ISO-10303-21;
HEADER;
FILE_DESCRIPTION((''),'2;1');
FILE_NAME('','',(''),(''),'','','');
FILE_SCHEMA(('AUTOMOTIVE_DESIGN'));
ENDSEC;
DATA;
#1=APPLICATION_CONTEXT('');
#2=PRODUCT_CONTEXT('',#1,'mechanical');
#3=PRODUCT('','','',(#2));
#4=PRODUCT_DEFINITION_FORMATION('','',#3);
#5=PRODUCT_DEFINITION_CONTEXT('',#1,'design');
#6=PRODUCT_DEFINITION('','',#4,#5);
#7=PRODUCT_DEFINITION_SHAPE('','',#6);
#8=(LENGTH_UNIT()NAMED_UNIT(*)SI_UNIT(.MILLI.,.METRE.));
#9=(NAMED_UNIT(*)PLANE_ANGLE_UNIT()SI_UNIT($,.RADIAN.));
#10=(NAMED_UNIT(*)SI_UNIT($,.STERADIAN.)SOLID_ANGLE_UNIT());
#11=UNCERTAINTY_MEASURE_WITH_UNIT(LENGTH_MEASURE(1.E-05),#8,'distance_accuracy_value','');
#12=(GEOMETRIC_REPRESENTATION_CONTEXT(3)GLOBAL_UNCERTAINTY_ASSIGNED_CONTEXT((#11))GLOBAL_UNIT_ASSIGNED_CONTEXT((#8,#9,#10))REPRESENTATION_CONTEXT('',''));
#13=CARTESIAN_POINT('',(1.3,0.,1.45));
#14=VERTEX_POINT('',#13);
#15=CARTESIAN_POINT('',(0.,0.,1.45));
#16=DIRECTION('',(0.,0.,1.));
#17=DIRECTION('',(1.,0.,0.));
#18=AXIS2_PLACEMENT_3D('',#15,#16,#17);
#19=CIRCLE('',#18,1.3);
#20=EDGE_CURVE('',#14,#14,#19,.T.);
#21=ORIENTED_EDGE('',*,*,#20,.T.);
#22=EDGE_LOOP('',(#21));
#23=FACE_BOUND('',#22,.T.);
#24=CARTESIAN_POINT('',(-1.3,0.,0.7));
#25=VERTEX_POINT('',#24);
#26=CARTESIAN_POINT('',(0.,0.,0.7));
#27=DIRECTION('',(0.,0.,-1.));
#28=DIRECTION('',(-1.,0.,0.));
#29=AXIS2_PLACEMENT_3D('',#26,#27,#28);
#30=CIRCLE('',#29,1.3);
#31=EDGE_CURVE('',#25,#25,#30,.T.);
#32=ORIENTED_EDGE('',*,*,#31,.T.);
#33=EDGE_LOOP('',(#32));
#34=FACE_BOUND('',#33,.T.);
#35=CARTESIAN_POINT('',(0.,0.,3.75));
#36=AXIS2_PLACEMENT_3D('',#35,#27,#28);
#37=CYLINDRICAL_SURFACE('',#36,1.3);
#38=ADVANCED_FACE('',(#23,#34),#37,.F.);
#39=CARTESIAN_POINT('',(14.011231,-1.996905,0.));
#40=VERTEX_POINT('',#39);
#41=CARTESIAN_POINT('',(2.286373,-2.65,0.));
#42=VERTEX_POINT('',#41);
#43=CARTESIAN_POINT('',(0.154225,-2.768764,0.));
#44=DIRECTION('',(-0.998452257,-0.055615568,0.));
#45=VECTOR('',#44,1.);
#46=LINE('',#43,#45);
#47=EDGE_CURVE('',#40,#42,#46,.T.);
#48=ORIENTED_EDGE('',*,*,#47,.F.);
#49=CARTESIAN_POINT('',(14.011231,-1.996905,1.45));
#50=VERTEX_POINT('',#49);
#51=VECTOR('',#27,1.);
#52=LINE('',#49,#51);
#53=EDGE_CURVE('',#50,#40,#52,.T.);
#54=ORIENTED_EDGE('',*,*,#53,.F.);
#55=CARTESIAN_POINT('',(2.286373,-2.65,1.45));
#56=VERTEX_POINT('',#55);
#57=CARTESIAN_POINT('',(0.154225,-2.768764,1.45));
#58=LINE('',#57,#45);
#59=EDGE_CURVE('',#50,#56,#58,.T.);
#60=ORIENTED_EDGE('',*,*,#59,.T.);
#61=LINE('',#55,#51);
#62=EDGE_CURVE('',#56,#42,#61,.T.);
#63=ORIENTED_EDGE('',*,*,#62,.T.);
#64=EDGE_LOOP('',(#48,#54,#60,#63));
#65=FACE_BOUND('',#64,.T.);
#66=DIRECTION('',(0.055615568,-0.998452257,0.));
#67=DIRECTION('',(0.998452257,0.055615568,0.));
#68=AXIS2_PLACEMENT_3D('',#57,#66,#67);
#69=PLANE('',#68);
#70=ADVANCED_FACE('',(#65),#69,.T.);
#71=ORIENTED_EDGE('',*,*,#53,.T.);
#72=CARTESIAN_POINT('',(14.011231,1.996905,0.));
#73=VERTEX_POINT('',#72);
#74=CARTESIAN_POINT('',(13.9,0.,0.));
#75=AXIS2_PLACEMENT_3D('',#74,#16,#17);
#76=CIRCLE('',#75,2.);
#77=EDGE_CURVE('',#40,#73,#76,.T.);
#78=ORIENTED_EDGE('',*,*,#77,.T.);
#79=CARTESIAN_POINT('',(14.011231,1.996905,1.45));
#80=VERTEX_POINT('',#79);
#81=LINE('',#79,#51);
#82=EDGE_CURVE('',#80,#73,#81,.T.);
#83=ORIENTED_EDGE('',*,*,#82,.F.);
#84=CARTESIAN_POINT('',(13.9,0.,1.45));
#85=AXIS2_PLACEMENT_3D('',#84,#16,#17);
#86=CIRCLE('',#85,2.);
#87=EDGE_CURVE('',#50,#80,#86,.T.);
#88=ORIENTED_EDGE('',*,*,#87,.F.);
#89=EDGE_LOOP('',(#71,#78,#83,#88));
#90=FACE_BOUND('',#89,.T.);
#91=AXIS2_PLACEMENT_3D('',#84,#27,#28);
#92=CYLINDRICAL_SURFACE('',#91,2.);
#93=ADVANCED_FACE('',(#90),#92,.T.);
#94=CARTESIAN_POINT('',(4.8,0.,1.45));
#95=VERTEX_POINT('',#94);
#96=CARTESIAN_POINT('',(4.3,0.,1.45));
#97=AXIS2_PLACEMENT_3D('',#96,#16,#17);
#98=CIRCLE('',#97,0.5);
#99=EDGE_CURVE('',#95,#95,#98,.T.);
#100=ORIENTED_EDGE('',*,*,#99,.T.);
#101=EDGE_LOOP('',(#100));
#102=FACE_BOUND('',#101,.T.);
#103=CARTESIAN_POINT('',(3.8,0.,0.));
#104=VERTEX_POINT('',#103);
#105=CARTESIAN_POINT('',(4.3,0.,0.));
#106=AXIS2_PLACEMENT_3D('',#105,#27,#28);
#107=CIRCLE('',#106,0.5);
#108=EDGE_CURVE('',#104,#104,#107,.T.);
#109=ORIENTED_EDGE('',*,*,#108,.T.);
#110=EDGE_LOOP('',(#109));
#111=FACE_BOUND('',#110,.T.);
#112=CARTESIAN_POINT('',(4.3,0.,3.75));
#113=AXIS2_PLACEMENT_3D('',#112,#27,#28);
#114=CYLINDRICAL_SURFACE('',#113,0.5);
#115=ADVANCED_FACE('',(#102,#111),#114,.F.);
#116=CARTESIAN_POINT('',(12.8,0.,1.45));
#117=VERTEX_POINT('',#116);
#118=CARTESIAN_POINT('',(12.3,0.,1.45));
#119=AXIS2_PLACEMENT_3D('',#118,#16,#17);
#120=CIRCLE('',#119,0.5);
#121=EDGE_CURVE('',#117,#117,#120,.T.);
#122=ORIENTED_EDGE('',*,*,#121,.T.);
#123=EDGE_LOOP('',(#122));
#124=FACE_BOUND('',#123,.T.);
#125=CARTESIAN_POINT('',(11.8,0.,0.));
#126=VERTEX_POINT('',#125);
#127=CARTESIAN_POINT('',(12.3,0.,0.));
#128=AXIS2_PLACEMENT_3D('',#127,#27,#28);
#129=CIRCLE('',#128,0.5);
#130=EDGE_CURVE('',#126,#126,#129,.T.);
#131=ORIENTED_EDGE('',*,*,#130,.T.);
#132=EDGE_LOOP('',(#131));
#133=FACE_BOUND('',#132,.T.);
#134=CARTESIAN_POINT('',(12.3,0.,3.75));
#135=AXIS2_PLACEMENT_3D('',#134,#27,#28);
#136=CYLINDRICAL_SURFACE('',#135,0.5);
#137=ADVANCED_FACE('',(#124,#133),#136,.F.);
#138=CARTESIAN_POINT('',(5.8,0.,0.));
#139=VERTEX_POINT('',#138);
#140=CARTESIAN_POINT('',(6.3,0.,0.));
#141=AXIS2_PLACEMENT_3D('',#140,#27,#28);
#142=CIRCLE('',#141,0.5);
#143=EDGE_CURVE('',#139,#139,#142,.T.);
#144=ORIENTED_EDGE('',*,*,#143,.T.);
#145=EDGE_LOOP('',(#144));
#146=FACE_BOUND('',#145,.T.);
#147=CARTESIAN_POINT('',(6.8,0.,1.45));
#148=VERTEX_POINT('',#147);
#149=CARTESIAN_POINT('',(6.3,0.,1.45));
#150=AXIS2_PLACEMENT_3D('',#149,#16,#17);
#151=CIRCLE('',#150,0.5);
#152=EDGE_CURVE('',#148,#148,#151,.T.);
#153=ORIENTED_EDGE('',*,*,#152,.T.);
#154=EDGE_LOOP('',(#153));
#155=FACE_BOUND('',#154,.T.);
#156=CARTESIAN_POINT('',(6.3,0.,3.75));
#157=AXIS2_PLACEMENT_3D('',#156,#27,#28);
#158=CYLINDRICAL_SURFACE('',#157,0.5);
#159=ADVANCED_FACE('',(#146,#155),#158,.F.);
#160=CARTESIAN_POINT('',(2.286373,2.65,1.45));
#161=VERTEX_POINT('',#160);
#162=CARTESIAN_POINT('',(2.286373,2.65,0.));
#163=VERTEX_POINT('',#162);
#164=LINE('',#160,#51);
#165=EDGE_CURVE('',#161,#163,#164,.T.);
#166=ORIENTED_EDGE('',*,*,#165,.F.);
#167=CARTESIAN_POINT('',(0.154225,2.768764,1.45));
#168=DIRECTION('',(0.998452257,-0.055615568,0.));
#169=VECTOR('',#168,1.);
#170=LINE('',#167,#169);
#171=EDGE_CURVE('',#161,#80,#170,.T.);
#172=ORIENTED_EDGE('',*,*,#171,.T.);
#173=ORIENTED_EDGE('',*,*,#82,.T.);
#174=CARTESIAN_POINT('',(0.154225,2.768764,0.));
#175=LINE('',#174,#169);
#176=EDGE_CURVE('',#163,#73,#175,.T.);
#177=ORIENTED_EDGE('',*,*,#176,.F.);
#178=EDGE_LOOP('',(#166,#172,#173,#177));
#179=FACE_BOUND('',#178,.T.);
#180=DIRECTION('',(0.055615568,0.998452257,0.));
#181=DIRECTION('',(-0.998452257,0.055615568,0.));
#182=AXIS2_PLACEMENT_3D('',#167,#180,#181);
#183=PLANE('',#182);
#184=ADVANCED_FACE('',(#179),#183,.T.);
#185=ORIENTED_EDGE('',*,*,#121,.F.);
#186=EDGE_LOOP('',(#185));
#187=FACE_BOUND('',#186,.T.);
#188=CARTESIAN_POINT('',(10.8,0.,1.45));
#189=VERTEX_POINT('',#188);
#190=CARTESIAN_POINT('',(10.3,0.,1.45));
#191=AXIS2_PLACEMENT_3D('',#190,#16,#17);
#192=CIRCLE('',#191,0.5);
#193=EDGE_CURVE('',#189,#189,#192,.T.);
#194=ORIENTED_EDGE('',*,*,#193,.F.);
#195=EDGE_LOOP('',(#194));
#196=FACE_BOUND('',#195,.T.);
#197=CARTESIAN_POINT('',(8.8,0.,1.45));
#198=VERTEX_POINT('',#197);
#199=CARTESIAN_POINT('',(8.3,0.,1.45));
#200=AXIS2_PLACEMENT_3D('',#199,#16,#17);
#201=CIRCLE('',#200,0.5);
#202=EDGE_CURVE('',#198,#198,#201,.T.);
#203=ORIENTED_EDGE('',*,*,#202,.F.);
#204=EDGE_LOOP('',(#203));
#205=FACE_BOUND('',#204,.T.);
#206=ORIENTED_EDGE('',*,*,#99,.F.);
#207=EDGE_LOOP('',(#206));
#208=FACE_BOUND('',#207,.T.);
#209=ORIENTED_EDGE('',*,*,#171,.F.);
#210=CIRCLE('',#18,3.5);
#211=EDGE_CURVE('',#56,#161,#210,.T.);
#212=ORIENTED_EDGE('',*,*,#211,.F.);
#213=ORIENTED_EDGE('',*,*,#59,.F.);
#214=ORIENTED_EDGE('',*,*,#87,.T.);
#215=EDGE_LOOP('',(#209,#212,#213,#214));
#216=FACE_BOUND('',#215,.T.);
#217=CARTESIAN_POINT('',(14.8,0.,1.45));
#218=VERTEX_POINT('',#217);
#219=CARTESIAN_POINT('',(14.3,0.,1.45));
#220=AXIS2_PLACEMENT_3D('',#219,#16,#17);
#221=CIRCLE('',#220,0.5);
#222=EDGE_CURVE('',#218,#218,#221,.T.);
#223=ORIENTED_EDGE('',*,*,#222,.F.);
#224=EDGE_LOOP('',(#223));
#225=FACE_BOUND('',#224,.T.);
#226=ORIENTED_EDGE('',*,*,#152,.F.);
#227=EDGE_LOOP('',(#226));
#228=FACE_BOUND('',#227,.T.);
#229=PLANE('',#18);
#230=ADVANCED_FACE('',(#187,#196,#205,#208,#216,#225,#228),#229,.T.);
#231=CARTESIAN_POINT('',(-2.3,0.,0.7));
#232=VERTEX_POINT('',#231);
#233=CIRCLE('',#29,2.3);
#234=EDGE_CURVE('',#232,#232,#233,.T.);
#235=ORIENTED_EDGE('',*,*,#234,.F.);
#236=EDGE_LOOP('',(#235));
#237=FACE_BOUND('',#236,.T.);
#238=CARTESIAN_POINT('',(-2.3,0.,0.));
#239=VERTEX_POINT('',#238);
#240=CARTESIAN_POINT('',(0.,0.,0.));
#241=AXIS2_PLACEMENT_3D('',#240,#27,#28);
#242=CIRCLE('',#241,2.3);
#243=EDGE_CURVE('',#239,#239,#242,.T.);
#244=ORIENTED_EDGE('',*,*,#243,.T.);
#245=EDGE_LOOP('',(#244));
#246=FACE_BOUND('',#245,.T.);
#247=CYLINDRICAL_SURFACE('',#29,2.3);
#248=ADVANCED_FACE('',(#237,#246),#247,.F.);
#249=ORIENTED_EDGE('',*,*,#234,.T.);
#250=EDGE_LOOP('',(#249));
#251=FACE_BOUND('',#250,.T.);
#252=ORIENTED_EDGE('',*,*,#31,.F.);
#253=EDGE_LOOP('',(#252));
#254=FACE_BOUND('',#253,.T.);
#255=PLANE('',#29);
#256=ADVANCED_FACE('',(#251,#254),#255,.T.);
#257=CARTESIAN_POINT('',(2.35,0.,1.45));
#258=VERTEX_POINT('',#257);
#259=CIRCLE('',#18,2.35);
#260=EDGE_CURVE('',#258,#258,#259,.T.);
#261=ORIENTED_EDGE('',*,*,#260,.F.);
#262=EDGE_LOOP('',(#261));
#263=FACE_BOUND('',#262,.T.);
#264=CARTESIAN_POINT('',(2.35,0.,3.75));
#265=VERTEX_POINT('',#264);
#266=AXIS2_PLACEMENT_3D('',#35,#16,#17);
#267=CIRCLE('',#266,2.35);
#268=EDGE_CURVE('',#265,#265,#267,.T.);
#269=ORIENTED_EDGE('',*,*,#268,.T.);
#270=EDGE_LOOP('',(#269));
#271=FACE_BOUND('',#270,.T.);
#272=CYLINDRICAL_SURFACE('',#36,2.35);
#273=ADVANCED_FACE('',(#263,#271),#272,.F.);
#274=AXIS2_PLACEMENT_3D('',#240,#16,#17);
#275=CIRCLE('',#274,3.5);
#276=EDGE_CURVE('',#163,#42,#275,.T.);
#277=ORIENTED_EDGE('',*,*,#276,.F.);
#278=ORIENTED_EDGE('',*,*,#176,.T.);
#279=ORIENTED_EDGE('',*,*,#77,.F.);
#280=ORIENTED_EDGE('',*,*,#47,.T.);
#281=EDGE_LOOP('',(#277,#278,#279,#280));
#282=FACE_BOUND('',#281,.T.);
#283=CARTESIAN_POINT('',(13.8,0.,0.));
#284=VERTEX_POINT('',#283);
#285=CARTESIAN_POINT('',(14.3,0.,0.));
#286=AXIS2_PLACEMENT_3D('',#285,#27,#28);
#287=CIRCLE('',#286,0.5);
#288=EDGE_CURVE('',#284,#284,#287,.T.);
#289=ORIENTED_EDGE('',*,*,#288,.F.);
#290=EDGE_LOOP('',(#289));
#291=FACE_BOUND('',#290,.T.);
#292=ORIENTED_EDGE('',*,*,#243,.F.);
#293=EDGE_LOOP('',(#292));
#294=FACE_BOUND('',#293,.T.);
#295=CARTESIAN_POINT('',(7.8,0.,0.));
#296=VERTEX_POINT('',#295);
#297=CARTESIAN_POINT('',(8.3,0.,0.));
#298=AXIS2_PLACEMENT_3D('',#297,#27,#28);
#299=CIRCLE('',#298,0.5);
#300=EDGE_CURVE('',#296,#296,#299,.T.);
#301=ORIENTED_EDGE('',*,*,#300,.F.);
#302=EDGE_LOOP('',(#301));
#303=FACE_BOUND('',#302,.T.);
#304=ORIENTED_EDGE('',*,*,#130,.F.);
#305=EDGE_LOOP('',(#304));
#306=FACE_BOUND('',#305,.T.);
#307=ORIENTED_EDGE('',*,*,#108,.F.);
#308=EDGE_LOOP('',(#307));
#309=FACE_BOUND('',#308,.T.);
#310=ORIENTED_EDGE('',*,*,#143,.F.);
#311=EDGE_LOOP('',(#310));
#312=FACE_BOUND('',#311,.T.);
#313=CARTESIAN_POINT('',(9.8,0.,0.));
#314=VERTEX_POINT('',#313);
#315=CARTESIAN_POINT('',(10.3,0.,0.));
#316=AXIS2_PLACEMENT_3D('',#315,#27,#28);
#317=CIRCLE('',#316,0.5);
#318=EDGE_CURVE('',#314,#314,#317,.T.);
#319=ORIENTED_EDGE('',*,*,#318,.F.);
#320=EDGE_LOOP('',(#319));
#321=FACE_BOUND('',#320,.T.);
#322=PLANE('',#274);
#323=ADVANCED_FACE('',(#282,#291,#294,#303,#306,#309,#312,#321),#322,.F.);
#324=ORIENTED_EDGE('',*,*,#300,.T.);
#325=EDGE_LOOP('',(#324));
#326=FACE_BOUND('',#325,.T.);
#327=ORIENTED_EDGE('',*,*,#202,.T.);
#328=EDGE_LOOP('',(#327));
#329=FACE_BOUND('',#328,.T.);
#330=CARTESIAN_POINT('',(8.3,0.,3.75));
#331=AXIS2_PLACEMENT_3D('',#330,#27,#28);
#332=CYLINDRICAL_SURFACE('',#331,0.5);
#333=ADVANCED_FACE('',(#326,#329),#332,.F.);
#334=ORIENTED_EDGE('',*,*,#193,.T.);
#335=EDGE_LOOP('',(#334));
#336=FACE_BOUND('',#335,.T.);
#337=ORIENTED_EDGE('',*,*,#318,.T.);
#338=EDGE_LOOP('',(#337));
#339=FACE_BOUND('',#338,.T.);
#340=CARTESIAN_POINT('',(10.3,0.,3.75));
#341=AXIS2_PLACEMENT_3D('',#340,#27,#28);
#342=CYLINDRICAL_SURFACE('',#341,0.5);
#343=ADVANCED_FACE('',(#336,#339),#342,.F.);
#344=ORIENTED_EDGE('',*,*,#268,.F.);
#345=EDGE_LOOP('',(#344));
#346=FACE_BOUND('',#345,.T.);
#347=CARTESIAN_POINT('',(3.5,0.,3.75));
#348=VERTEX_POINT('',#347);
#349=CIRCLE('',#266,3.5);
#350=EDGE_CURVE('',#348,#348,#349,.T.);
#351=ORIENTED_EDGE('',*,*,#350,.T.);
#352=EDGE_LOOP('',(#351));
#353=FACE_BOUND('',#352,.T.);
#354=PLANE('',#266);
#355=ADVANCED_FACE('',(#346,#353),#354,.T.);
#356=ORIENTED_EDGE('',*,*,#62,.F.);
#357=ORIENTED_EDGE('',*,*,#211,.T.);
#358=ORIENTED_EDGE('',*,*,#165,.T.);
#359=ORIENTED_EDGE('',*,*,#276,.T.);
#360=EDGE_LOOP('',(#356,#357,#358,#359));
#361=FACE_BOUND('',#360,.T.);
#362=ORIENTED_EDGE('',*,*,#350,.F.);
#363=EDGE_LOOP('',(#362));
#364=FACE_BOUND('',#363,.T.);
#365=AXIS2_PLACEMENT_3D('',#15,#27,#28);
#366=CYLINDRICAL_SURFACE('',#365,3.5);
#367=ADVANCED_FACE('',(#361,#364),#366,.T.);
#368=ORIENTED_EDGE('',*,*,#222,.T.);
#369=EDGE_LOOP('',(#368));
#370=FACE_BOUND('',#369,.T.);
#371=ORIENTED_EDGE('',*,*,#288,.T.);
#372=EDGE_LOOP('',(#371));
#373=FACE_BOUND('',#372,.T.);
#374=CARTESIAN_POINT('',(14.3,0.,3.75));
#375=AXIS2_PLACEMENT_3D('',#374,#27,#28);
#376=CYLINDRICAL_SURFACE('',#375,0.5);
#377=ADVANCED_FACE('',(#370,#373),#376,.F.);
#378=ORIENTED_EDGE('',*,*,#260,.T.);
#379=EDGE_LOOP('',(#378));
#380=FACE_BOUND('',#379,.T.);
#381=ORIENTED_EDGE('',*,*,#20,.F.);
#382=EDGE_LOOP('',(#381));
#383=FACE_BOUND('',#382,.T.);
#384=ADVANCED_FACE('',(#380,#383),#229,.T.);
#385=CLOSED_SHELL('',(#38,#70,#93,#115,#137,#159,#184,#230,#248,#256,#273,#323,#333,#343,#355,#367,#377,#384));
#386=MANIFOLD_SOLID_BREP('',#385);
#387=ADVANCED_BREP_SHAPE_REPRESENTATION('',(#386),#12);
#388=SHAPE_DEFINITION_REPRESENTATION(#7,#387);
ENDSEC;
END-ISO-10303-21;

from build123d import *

# Parameters (mm, degrees)
SKETCH_1_R             = 2.773056395
SKETCH_1_R_2           = 2
SKETCH_1_R_3           = 3.5
EXTRUDE_1_DEPTH        = 1.45
SKETCH_2_R             = 3.5
SKETCH_2_R_2           = 2.35
EXTRUDE_2_DEPTH        = 2.3
SKETCH_3_R             = 2.3
CUT_EXTRUDE_1_DEPTH    = 0.7
SKETCH_4_R             = 1.3
CUT_EXTRUDE_2_DEPTH    = 17.563891451
SKETCH_5_R             = 0.5
CUT_EXTRUDE_3_DEPTH    = 17.706959628
PATTERN_LINEAR_1_COUNT = 6
PATTERN_LINEAR_1_PITCH = 2


with BuildPart() as part:
    # 草图1 → 凸台-拉伸1 (new body)
    with BuildSketch(Plane.XY):
        with BuildLine():
            Line((0.154225095, 2.768764415), (-1.97792246, 2.887528829))
            ThreePointArc((-1.97792246, 2.887528829), (-3.5, 0), (-1.97792246, -2.887528829))
            Line((-1.97792246, -2.887528829), (0.154225041, -2.768764418))
            ThreePointArc((0.154225041, -2.768764418), (-2.773056395, 2.7e-08), (0.154225095, 2.768764415))
        make_face()
        with BuildLine():
            Line((2.286372673, 2.65), (0.154225095, 2.768764415))
            ThreePointArc((0.154225095, 2.768764415), (2.014636028, 1.905540197), (2.773056395, 0))
            ThreePointArc((2.773056395, 0), (2.01463601, -1.905540216), (0.154225041, -2.768764418))
            Line((0.154225041, -2.768764418), (2.286372673, -2.65))
            ThreePointArc((2.286372673, -2.65), (3.182161557, -1.457342726), (3.5, 0))
            ThreePointArc((3.5, 0), (3.182161557, 1.457342726), (2.286372673, 2.65))
        make_face()
        Circle(SKETCH_1_R)
        with BuildLine():
            ThreePointArc((2.286372673, 2.65), (0.194654488, 3.494582898), (-1.97792246, 2.887528829))
            Line((-1.97792246, 2.887528829), (0.154225095, 2.768764415))
            Line((0.154225095, 2.768764415), (2.286372673, 2.65))
        make_face()
        with BuildLine():
            Line((0.154225041, -2.768764418), (-1.97792246, -2.887528829))
            ThreePointArc((-1.97792246, -2.887528829), (0.194654488, -3.494582898), (2.286372673, -2.65))
            Line((2.286372673, -2.65), (0.154225041, -2.768764418))
        make_face()
        with BuildLine():
            Line((14.011231163, 1.996904512), (2.286372673, 2.65))
            ThreePointArc((2.286372673, 2.65), (3.182161557, 1.457342726), (3.5, 0))
            ThreePointArc((3.5, 0), (3.182161557, -1.457342726), (2.286372673, -2.65))
            Line((2.286372673, -2.65), (14.011231138, -1.996904513))
            ThreePointArc((14.011231138, -1.996904513), (11.9, 1.2e-08), (14.011231163, 1.996904512))
        make_face()
        with Locations((13.9, 0)):
            Circle(SKETCH_1_R_2)
        Circle(SKETCH_1_R_3)
    extrude(amount=EXTRUDE_1_DEPTH)

    # 草图2 → 凸台-拉伸2 (add)
    with BuildSketch(Plane.XY.offset(1.45)):
        with Locations(Location((0, 0, 0), (0, 0, 310.787038193))):
            Circle(SKETCH_2_R)
        Circle(SKETCH_2_R_2, mode=Mode.SUBTRACT)
    extrude(amount=EXTRUDE_2_DEPTH)

    # 草图3 → 切除-拉伸1 (cut)
    with BuildSketch(Plane(origin=(0, 0, 0), x_dir=(-1, 0, 0), z_dir=(0, 0, -1))):
        Circle(SKETCH_3_R)
    extrude(amount=-CUT_EXTRUDE_1_DEPTH, mode=Mode.SUBTRACT)

    # 草图4 → 切除-拉伸2 (cut, through all)
    with BuildSketch(Plane(origin=(0, 0, 0.7), x_dir=(-1, 0, 0), z_dir=(0, 0, -1))):
        Circle(SKETCH_4_R)
    extrude(amount=-CUT_EXTRUDE_2_DEPTH, mode=Mode.SUBTRACT)

    # 草图5 → 切除-拉伸3 (cut, through all)
    with BuildSketch(Plane(origin=(0, 0, 0), x_dir=(-1, 0, 0), z_dir=(0, 0, -1))):
        with Locations((-14.3, 0)):
            Circle(SKETCH_5_R)
    cut_extrude_3 = extrude(amount=-CUT_EXTRUDE_3_DEPTH, mode=Mode.SUBTRACT)

    # 阵列(线性)1: 切除-拉伸3 ×6
    with Locations(*[(-i * PATTERN_LINEAR_1_PITCH, 0, 0) for i in range(1, PATTERN_LINEAR_1_COUNT)]):
        add(cut_extrude_3, mode=Mode.SUBTRACT)


solid = part.part
